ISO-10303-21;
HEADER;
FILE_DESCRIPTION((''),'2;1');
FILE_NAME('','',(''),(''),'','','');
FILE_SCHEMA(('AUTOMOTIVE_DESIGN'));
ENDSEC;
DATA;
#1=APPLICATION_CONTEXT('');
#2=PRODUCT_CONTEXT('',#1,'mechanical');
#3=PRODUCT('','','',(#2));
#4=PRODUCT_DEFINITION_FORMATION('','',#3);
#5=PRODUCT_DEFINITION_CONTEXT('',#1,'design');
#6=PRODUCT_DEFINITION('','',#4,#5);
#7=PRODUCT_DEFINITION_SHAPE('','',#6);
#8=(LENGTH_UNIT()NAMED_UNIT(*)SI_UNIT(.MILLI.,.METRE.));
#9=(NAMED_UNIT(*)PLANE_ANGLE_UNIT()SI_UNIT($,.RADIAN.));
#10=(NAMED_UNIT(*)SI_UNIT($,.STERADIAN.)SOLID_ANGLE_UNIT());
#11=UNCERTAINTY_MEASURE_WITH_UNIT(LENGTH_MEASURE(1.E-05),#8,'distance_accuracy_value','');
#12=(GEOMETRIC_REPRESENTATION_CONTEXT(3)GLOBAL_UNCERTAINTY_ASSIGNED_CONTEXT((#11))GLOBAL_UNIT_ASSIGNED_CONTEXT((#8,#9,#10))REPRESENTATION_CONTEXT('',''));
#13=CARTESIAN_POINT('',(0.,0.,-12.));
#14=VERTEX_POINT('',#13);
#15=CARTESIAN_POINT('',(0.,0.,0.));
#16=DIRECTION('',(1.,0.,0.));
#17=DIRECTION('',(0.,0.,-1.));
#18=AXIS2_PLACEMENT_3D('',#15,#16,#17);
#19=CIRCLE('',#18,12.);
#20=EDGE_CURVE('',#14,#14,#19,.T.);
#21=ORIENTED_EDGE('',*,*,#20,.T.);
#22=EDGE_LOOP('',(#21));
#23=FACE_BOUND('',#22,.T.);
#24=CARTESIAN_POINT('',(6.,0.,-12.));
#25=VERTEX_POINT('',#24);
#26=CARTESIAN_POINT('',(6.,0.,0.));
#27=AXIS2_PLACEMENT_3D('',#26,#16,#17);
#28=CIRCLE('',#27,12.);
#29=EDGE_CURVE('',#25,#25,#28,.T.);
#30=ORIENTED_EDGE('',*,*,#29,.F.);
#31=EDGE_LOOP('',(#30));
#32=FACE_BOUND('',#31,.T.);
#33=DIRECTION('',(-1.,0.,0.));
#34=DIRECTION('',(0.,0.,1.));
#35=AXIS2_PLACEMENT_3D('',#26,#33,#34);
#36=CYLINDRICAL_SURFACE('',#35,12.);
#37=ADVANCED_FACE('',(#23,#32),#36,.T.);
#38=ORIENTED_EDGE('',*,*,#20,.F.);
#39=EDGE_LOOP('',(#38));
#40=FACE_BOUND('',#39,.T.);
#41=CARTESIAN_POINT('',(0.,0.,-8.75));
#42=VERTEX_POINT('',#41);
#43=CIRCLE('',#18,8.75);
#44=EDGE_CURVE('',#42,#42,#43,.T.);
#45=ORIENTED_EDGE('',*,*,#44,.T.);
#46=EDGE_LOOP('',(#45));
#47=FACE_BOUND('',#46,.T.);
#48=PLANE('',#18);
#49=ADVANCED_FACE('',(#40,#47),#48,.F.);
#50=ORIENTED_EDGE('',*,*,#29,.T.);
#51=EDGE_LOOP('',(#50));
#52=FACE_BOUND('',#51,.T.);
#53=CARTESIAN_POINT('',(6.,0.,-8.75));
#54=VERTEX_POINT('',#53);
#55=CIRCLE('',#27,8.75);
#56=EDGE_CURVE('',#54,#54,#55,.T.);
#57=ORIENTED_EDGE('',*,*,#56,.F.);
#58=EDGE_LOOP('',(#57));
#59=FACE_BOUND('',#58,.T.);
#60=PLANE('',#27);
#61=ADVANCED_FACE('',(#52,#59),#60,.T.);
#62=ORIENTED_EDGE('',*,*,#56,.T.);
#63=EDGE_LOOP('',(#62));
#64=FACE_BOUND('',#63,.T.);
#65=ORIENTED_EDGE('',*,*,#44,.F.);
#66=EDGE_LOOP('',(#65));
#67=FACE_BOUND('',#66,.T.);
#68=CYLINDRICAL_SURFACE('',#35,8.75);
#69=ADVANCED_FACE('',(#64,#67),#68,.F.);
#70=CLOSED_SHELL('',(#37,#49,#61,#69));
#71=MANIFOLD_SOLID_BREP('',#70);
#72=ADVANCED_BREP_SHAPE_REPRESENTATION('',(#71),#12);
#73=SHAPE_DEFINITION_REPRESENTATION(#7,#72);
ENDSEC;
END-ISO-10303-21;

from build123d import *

# Parameters (mm, degrees)
SKETCH_1_R      = 12
SKETCH_1_R_2    = 8.75
EXTRUDE_1_DEPTH = 6


with BuildPart() as part:
    # 草图1 → 凸台-拉伸1 (new body)
    with BuildSketch(Plane(origin=(0, 0, 0), x_dir=(0, 0, -1), z_dir=(1, 0, 0))):
        Circle(SKETCH_1_R)
        Circle(SKETCH_1_R_2, mode=Mode.SUBTRACT)
    extrude(amount=EXTRUDE_1_DEPTH)


solid = part.part
